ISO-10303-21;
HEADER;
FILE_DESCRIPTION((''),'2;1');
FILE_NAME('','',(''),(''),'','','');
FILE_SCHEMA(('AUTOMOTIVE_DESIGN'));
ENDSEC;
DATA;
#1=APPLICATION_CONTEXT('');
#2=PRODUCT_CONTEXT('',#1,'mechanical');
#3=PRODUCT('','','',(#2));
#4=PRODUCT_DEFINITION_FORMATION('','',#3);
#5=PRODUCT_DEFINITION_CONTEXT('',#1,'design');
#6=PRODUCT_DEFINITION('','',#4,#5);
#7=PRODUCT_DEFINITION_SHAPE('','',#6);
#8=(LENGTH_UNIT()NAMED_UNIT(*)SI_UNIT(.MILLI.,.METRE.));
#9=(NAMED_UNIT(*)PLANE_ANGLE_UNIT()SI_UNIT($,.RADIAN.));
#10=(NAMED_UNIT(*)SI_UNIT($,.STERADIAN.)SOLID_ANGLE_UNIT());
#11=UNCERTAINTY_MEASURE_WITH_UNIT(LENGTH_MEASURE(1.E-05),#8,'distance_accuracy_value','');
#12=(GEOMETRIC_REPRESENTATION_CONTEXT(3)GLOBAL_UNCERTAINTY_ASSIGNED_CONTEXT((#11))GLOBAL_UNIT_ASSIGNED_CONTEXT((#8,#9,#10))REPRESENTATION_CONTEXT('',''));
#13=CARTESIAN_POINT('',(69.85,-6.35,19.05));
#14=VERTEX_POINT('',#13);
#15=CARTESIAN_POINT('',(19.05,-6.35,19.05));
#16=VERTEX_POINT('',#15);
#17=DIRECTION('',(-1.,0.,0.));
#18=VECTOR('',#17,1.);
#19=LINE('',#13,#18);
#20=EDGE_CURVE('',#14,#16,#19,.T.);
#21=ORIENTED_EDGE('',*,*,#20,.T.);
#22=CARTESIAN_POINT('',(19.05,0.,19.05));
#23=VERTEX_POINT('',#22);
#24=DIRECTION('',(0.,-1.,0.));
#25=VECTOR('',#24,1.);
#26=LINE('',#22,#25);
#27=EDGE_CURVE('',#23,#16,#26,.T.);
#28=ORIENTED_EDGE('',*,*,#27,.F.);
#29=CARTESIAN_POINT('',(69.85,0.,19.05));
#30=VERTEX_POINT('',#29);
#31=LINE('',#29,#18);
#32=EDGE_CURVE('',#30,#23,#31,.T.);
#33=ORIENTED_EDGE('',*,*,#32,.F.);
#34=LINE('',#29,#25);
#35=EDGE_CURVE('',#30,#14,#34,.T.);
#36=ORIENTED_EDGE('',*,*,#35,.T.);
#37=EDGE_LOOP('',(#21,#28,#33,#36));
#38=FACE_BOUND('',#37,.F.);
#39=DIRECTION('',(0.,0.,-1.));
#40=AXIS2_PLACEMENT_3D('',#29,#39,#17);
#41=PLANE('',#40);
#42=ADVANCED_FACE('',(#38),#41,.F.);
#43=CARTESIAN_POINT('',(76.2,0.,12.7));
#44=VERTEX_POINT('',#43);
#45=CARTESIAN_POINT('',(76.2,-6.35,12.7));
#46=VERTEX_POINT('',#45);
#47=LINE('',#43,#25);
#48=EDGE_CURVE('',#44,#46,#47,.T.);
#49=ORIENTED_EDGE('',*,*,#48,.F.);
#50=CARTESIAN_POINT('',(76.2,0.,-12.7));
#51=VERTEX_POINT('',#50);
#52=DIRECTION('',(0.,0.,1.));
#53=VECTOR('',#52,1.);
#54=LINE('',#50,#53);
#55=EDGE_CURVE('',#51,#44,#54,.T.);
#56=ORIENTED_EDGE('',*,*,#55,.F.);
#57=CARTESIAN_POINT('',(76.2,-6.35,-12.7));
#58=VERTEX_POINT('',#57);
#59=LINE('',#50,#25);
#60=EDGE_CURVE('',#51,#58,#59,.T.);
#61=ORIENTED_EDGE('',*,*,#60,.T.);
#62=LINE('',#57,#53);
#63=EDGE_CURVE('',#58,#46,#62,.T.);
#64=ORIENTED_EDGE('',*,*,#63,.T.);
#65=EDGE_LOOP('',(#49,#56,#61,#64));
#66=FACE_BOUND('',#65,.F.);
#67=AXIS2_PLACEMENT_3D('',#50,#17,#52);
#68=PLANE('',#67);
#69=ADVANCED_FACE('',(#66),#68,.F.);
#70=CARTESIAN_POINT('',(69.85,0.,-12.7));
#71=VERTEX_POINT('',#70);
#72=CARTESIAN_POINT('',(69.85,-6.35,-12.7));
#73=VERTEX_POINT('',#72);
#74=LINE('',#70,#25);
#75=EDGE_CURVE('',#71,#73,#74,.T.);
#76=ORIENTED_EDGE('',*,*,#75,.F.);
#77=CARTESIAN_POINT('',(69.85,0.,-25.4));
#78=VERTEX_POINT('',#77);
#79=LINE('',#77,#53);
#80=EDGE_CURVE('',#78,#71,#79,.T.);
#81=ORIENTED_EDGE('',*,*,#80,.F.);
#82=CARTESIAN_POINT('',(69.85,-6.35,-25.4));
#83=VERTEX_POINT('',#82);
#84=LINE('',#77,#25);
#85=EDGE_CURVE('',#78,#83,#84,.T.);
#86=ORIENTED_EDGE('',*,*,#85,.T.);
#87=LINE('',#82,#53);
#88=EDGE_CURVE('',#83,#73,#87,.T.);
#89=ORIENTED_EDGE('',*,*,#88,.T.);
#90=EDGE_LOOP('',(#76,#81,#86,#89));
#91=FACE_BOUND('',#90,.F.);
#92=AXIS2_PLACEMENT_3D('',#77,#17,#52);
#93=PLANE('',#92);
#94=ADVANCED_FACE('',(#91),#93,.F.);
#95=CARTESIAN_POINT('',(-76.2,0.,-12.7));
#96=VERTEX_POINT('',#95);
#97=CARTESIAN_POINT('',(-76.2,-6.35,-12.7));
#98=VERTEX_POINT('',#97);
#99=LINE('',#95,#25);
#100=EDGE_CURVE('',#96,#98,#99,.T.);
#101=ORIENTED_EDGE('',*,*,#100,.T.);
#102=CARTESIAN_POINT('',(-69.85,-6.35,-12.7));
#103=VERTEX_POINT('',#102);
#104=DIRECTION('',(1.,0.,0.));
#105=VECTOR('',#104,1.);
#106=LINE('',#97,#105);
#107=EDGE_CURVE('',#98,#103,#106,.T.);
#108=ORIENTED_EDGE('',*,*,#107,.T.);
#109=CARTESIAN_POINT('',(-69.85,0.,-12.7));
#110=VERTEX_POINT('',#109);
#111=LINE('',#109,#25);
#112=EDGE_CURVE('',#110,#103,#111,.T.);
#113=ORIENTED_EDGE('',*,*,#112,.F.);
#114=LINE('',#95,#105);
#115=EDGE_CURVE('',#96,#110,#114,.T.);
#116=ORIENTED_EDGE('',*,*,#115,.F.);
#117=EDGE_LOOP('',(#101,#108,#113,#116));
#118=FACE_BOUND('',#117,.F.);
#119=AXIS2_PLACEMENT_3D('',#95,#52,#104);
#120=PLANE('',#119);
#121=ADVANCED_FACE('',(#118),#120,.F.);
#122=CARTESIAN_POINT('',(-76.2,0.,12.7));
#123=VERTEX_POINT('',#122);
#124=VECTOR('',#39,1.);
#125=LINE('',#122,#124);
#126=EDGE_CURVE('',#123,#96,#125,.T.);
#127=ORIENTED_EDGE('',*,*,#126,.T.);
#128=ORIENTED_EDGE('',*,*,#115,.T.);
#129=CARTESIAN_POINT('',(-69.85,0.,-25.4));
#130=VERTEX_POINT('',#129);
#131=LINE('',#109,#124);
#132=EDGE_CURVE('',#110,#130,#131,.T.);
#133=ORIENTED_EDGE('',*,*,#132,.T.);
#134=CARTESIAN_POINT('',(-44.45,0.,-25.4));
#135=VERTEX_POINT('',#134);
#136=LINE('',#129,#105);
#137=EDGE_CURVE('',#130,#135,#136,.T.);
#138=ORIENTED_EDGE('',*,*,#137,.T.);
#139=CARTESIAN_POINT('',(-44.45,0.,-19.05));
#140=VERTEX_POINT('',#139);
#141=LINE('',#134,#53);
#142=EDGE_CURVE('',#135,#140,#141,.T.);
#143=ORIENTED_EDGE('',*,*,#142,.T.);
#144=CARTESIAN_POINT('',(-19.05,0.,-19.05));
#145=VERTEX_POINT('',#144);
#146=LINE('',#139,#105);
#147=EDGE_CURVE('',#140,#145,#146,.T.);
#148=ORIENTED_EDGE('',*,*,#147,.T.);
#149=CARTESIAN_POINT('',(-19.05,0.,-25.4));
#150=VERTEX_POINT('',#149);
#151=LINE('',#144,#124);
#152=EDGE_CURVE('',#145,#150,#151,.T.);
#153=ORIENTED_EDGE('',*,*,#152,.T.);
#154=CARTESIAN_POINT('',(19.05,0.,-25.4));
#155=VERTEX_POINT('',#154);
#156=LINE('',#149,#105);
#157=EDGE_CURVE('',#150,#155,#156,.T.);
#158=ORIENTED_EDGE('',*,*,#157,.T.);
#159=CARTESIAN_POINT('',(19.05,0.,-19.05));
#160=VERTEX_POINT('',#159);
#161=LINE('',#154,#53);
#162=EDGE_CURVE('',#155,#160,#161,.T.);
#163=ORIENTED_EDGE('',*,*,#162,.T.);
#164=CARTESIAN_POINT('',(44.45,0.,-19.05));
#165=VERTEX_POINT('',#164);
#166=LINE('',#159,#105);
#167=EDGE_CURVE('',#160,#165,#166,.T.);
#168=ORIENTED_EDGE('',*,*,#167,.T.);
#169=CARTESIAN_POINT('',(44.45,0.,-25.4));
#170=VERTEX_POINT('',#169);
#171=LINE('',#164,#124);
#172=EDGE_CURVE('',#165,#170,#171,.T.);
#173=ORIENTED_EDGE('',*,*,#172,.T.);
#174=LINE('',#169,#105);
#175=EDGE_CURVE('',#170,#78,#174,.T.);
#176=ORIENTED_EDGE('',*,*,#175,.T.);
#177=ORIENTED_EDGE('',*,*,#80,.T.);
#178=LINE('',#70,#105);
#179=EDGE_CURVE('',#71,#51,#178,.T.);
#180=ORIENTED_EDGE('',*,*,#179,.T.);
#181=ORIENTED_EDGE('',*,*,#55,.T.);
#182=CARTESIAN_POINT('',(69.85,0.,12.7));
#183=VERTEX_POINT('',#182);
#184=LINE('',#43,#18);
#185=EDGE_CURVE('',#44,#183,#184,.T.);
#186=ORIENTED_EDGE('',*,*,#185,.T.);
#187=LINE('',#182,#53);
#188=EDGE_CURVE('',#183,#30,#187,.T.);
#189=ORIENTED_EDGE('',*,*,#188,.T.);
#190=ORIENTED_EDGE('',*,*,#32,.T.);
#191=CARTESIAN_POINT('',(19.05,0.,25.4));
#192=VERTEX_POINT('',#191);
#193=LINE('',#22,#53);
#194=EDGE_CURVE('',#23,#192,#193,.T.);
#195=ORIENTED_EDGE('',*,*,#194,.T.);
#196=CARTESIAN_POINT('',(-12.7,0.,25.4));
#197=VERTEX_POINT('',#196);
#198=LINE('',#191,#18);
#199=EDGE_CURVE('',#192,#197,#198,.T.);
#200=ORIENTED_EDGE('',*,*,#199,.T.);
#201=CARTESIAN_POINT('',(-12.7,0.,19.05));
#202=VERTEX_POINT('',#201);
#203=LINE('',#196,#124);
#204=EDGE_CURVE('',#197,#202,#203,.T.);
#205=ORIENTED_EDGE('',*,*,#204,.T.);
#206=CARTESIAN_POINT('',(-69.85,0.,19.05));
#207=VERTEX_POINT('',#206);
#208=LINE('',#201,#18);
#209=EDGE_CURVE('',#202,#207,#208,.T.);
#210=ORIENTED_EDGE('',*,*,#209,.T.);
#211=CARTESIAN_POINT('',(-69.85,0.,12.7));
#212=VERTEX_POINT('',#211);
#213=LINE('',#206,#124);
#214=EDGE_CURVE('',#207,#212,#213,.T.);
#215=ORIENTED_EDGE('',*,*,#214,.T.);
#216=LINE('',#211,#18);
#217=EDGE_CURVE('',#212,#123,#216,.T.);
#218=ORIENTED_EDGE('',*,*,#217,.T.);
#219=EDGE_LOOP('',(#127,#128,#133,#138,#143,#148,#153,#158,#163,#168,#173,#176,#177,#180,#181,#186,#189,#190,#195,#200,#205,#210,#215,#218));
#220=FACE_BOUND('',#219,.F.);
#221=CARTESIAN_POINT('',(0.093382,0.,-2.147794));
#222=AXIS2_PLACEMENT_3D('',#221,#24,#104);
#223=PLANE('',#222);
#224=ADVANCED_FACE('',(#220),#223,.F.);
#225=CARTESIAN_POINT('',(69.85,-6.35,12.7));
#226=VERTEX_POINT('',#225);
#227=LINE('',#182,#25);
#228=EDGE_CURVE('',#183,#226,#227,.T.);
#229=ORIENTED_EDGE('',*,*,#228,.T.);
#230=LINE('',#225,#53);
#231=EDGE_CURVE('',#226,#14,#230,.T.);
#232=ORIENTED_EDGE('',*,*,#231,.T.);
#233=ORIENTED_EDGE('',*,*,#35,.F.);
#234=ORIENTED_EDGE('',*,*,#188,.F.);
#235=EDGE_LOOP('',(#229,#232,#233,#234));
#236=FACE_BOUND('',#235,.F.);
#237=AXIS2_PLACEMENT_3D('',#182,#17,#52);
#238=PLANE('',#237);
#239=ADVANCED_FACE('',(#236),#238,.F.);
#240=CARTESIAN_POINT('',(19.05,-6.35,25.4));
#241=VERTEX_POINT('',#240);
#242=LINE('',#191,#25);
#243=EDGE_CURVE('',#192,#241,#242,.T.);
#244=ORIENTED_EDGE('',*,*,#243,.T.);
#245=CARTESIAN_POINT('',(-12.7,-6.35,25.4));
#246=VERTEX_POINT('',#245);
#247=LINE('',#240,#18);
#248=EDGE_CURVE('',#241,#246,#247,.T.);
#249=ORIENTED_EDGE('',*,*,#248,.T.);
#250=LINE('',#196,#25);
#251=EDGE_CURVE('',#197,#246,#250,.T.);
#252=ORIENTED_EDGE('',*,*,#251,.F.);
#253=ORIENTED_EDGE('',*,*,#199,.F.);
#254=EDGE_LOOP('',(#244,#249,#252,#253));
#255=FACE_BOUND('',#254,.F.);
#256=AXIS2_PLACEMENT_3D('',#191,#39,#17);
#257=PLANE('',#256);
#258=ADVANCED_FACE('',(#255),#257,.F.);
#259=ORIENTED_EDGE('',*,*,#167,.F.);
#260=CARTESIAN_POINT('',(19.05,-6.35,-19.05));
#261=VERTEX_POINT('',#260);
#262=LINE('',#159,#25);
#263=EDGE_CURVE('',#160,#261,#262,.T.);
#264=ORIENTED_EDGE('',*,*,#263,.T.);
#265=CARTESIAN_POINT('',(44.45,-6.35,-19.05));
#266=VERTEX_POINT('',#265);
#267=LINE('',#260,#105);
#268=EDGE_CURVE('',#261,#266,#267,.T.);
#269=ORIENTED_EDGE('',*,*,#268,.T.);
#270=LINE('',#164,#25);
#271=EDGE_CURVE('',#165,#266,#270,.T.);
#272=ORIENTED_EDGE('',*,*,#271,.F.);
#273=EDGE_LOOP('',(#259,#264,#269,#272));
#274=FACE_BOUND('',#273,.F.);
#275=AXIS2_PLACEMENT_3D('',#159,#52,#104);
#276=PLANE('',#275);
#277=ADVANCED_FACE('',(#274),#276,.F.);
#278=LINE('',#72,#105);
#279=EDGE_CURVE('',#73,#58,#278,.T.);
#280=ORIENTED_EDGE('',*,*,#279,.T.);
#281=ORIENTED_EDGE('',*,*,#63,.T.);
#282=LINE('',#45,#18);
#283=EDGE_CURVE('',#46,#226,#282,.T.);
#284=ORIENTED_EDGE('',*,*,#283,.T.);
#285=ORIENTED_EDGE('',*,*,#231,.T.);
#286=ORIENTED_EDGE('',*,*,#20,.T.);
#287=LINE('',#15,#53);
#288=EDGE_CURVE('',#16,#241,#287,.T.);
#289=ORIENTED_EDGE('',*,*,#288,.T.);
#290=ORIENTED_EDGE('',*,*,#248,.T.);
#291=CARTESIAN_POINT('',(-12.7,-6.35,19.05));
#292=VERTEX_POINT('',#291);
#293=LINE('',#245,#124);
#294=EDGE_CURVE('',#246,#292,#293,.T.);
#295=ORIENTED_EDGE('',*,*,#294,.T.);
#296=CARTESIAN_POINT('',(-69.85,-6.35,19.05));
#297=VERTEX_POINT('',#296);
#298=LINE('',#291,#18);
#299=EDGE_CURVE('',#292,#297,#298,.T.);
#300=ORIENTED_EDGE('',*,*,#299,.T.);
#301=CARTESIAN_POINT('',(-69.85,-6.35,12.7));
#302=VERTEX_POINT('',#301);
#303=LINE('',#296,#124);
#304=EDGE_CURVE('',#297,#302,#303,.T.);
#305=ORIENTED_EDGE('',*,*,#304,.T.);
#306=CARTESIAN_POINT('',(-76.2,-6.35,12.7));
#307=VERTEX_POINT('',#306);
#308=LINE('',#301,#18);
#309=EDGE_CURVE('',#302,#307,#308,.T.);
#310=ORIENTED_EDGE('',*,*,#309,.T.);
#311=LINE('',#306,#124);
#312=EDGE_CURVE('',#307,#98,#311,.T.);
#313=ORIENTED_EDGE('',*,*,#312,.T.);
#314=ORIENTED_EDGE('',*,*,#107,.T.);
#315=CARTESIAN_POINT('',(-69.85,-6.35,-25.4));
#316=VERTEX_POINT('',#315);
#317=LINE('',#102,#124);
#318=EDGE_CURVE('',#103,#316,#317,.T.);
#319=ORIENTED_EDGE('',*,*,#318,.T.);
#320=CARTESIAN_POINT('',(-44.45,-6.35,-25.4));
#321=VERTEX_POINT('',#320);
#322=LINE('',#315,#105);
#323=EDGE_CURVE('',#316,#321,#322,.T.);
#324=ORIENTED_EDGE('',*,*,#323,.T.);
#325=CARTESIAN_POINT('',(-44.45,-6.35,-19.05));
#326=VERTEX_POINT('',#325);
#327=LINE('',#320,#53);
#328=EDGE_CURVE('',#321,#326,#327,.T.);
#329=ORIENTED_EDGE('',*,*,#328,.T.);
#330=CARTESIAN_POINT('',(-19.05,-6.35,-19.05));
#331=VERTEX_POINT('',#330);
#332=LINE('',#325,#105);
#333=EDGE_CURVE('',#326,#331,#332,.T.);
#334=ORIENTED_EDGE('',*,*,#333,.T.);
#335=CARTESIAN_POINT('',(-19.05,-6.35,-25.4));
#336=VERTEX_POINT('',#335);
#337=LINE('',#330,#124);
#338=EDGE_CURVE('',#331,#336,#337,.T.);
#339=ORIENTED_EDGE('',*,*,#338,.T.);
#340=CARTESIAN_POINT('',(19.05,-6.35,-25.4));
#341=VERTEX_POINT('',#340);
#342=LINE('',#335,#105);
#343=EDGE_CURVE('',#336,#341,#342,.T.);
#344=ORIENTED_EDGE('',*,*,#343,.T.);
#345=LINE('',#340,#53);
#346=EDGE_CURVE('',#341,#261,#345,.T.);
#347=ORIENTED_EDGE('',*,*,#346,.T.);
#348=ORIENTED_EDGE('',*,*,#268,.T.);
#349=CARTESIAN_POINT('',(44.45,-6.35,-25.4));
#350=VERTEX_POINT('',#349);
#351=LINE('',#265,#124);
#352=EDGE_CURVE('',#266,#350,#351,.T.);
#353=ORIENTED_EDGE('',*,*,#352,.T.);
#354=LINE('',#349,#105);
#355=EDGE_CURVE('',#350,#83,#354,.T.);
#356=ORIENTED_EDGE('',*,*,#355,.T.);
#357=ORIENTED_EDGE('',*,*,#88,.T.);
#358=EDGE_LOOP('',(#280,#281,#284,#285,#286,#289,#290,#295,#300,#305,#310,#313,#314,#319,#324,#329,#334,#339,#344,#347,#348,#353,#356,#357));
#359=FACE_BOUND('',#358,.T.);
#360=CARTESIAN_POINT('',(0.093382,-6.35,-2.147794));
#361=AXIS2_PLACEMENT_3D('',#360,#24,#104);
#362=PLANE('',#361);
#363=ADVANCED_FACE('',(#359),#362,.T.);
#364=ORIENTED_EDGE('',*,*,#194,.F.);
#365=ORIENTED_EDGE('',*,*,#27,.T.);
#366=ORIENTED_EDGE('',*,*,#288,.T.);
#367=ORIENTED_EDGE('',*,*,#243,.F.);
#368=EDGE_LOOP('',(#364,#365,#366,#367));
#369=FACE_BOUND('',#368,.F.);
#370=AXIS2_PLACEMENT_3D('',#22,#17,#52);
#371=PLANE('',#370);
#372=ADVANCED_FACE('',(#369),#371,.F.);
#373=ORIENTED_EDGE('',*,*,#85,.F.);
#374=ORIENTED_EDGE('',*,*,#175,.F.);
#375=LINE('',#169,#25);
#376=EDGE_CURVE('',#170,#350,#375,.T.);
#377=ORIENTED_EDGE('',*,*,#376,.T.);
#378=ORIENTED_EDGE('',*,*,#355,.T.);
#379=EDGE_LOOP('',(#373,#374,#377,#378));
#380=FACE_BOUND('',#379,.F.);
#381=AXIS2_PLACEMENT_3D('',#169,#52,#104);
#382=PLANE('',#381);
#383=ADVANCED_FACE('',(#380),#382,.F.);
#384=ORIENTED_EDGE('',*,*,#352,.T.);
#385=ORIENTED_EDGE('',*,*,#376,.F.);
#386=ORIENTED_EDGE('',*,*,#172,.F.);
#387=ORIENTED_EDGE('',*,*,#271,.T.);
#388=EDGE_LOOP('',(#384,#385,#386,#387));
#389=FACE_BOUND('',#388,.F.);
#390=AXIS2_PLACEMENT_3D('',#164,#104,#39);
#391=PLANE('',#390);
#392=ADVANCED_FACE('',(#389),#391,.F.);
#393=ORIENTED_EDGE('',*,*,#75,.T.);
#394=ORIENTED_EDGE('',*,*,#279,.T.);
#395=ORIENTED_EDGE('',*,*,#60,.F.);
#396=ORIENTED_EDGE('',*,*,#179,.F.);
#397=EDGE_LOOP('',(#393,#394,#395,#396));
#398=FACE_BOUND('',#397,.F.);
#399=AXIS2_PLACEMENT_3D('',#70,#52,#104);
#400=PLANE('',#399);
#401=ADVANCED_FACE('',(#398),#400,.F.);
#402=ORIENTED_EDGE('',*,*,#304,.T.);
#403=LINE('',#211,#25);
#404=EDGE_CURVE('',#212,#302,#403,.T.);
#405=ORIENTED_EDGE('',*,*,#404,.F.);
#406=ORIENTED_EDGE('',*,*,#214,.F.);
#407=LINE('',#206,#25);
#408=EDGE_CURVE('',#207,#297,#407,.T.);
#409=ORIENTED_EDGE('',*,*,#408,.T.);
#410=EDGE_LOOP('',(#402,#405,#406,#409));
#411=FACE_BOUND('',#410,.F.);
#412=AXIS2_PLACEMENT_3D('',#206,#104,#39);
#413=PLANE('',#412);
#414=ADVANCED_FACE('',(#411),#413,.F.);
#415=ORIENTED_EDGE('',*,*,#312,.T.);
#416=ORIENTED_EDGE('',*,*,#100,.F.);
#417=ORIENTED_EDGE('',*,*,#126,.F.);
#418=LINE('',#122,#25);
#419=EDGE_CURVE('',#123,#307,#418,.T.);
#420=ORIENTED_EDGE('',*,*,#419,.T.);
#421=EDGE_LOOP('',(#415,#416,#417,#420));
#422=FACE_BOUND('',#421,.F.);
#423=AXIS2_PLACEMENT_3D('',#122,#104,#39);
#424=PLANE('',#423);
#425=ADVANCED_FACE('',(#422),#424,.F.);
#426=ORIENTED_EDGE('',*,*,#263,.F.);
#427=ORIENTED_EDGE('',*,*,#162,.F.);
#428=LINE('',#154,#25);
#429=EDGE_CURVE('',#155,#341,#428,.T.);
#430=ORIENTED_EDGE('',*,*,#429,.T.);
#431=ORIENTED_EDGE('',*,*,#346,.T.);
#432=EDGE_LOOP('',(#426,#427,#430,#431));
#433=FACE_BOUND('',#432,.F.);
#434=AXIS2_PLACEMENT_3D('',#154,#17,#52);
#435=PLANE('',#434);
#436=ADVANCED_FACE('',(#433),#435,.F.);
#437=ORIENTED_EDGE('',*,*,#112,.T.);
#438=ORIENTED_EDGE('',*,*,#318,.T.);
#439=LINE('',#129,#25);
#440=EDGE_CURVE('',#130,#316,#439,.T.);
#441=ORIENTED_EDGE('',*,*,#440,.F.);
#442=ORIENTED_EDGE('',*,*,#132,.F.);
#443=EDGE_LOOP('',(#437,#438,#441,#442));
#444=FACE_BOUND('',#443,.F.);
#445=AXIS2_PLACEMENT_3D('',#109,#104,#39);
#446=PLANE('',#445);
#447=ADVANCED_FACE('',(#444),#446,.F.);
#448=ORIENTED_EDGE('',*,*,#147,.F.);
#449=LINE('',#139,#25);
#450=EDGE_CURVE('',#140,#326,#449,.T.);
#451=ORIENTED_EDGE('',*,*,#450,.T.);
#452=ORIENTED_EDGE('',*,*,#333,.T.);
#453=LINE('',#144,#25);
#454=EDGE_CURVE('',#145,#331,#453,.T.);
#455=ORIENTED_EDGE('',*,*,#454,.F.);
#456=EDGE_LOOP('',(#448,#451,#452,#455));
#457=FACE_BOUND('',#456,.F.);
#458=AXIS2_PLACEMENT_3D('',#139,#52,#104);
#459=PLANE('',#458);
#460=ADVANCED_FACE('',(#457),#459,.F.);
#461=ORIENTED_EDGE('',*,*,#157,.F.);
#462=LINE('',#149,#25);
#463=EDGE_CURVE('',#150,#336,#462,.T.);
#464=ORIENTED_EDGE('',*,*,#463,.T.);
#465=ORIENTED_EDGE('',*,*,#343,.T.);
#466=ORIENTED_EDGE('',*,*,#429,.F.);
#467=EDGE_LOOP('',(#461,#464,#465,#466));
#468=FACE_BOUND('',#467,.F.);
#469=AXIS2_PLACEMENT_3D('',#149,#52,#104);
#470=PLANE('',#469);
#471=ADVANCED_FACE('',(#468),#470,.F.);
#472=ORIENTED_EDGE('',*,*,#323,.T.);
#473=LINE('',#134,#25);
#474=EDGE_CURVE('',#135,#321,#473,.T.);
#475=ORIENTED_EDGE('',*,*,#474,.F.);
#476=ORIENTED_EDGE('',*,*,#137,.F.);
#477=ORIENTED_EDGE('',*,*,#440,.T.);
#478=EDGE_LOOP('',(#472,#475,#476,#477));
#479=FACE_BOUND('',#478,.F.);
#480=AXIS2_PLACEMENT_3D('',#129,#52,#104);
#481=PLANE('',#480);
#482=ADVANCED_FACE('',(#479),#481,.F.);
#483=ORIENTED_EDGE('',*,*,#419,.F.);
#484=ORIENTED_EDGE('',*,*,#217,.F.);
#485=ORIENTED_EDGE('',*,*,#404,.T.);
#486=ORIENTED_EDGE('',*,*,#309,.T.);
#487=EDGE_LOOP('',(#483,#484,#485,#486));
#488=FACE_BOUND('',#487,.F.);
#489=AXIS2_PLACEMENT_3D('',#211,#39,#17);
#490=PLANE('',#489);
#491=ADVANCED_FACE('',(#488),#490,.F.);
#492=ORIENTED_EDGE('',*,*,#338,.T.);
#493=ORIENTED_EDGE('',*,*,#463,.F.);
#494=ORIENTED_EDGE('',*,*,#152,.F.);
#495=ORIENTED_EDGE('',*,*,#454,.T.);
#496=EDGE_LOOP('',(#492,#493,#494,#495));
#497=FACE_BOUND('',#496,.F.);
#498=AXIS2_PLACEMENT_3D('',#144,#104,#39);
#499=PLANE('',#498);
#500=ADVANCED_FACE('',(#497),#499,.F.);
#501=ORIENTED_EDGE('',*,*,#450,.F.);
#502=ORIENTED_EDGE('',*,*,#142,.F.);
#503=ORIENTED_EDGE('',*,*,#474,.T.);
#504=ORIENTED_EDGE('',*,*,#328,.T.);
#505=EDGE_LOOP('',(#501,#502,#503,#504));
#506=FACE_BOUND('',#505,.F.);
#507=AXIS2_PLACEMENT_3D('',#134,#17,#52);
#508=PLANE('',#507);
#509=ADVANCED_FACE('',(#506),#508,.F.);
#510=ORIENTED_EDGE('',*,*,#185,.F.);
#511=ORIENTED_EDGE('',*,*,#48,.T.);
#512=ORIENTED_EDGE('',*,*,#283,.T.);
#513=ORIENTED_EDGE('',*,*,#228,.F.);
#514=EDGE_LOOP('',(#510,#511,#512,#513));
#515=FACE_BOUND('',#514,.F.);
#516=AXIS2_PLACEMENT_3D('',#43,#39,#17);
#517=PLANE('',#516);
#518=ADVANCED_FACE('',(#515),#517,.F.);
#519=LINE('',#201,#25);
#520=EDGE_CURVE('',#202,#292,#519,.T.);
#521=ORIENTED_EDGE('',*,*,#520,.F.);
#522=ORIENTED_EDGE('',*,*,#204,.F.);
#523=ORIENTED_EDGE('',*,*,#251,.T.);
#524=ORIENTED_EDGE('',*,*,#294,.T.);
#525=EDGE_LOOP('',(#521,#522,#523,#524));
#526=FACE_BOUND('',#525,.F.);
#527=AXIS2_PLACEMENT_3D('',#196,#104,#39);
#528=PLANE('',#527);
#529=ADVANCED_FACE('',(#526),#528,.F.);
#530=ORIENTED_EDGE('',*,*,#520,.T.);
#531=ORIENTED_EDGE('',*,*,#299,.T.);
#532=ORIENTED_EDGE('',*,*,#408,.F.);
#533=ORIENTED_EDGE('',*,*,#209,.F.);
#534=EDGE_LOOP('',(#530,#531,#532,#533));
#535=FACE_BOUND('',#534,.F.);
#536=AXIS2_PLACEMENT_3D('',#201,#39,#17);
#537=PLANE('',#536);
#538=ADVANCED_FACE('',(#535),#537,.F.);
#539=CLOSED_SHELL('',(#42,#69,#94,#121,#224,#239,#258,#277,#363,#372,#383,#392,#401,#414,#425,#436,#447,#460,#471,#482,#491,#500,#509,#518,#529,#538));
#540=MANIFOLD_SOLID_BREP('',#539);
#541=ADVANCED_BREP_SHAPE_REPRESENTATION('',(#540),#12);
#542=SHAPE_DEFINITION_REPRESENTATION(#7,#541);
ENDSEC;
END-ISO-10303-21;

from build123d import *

# Parameters (mm, degrees)
F1_DEPTH = 6.35


with BuildPart() as f1:
    # F0 (on Front) → F1 (new body)
    with BuildSketch(Plane.XZ):
        Polygon((-69.85, 12.7), (-76.2, 12.7), (-76.2, 6.35), (-76.2, 0), (-76.2, -6.35), (-76.2, -12.7), (-69.85, -12.7), (-69.85, -19.05), (-69.85, -25.4), (-63.5, -25.4), (-57.15, -25.4), (-50.8, -25.4), (-44.45, -25.4), (-44.45, -19.05), (-38.1, -19.05), (-31.75, -19.05), (-25.4, -19.05), (-19.05, -19.05), (-19.05, -25.4), (-12.7, -25.4), (-6.35, -25.4), (0, -25.4), (6.35, -25.4), (12.7, -25.4), (19.05, -25.4), (19.05, -19.05), (25.4, -19.05), (31.75, -19.05), (38.1, -19.05), (44.45, -19.05), (44.45, -25.4), (50.8, -25.4), (57.15, -25.4), (63.5, -25.4), (69.85, -25.4), (69.85, -19.05), (69.85, -12.7), (76.2, -12.7), (76.2, -6.35), (76.2, 0), (76.2, 6.35), (76.2, 12.7), (69.85, 12.7), (69.85, 19.05), (63.5, 19.05), (57.15, 19.05), (50.8, 19.05), (44.45, 19.05), (38.1, 19.05), (31.75, 19.05), (25.4, 19.05), (19.05, 19.05), (19.05, 25.4), (12.7, 25.4), (6.35, 25.4), (0, 25.4), (-6.35, 25.4), (-12.7, 25.4), (-12.7, 19.05), (-19.05, 19.05), (-25.4, 19.05), (-31.75, 19.05), (-38.1, 19.05), (-44.45, 19.05), (-50.8, 19.05), (-57.15, 19.05), (-69.85, 19.05), align=None)
    extrude(amount=F1_DEPTH)


solid = f1.part
